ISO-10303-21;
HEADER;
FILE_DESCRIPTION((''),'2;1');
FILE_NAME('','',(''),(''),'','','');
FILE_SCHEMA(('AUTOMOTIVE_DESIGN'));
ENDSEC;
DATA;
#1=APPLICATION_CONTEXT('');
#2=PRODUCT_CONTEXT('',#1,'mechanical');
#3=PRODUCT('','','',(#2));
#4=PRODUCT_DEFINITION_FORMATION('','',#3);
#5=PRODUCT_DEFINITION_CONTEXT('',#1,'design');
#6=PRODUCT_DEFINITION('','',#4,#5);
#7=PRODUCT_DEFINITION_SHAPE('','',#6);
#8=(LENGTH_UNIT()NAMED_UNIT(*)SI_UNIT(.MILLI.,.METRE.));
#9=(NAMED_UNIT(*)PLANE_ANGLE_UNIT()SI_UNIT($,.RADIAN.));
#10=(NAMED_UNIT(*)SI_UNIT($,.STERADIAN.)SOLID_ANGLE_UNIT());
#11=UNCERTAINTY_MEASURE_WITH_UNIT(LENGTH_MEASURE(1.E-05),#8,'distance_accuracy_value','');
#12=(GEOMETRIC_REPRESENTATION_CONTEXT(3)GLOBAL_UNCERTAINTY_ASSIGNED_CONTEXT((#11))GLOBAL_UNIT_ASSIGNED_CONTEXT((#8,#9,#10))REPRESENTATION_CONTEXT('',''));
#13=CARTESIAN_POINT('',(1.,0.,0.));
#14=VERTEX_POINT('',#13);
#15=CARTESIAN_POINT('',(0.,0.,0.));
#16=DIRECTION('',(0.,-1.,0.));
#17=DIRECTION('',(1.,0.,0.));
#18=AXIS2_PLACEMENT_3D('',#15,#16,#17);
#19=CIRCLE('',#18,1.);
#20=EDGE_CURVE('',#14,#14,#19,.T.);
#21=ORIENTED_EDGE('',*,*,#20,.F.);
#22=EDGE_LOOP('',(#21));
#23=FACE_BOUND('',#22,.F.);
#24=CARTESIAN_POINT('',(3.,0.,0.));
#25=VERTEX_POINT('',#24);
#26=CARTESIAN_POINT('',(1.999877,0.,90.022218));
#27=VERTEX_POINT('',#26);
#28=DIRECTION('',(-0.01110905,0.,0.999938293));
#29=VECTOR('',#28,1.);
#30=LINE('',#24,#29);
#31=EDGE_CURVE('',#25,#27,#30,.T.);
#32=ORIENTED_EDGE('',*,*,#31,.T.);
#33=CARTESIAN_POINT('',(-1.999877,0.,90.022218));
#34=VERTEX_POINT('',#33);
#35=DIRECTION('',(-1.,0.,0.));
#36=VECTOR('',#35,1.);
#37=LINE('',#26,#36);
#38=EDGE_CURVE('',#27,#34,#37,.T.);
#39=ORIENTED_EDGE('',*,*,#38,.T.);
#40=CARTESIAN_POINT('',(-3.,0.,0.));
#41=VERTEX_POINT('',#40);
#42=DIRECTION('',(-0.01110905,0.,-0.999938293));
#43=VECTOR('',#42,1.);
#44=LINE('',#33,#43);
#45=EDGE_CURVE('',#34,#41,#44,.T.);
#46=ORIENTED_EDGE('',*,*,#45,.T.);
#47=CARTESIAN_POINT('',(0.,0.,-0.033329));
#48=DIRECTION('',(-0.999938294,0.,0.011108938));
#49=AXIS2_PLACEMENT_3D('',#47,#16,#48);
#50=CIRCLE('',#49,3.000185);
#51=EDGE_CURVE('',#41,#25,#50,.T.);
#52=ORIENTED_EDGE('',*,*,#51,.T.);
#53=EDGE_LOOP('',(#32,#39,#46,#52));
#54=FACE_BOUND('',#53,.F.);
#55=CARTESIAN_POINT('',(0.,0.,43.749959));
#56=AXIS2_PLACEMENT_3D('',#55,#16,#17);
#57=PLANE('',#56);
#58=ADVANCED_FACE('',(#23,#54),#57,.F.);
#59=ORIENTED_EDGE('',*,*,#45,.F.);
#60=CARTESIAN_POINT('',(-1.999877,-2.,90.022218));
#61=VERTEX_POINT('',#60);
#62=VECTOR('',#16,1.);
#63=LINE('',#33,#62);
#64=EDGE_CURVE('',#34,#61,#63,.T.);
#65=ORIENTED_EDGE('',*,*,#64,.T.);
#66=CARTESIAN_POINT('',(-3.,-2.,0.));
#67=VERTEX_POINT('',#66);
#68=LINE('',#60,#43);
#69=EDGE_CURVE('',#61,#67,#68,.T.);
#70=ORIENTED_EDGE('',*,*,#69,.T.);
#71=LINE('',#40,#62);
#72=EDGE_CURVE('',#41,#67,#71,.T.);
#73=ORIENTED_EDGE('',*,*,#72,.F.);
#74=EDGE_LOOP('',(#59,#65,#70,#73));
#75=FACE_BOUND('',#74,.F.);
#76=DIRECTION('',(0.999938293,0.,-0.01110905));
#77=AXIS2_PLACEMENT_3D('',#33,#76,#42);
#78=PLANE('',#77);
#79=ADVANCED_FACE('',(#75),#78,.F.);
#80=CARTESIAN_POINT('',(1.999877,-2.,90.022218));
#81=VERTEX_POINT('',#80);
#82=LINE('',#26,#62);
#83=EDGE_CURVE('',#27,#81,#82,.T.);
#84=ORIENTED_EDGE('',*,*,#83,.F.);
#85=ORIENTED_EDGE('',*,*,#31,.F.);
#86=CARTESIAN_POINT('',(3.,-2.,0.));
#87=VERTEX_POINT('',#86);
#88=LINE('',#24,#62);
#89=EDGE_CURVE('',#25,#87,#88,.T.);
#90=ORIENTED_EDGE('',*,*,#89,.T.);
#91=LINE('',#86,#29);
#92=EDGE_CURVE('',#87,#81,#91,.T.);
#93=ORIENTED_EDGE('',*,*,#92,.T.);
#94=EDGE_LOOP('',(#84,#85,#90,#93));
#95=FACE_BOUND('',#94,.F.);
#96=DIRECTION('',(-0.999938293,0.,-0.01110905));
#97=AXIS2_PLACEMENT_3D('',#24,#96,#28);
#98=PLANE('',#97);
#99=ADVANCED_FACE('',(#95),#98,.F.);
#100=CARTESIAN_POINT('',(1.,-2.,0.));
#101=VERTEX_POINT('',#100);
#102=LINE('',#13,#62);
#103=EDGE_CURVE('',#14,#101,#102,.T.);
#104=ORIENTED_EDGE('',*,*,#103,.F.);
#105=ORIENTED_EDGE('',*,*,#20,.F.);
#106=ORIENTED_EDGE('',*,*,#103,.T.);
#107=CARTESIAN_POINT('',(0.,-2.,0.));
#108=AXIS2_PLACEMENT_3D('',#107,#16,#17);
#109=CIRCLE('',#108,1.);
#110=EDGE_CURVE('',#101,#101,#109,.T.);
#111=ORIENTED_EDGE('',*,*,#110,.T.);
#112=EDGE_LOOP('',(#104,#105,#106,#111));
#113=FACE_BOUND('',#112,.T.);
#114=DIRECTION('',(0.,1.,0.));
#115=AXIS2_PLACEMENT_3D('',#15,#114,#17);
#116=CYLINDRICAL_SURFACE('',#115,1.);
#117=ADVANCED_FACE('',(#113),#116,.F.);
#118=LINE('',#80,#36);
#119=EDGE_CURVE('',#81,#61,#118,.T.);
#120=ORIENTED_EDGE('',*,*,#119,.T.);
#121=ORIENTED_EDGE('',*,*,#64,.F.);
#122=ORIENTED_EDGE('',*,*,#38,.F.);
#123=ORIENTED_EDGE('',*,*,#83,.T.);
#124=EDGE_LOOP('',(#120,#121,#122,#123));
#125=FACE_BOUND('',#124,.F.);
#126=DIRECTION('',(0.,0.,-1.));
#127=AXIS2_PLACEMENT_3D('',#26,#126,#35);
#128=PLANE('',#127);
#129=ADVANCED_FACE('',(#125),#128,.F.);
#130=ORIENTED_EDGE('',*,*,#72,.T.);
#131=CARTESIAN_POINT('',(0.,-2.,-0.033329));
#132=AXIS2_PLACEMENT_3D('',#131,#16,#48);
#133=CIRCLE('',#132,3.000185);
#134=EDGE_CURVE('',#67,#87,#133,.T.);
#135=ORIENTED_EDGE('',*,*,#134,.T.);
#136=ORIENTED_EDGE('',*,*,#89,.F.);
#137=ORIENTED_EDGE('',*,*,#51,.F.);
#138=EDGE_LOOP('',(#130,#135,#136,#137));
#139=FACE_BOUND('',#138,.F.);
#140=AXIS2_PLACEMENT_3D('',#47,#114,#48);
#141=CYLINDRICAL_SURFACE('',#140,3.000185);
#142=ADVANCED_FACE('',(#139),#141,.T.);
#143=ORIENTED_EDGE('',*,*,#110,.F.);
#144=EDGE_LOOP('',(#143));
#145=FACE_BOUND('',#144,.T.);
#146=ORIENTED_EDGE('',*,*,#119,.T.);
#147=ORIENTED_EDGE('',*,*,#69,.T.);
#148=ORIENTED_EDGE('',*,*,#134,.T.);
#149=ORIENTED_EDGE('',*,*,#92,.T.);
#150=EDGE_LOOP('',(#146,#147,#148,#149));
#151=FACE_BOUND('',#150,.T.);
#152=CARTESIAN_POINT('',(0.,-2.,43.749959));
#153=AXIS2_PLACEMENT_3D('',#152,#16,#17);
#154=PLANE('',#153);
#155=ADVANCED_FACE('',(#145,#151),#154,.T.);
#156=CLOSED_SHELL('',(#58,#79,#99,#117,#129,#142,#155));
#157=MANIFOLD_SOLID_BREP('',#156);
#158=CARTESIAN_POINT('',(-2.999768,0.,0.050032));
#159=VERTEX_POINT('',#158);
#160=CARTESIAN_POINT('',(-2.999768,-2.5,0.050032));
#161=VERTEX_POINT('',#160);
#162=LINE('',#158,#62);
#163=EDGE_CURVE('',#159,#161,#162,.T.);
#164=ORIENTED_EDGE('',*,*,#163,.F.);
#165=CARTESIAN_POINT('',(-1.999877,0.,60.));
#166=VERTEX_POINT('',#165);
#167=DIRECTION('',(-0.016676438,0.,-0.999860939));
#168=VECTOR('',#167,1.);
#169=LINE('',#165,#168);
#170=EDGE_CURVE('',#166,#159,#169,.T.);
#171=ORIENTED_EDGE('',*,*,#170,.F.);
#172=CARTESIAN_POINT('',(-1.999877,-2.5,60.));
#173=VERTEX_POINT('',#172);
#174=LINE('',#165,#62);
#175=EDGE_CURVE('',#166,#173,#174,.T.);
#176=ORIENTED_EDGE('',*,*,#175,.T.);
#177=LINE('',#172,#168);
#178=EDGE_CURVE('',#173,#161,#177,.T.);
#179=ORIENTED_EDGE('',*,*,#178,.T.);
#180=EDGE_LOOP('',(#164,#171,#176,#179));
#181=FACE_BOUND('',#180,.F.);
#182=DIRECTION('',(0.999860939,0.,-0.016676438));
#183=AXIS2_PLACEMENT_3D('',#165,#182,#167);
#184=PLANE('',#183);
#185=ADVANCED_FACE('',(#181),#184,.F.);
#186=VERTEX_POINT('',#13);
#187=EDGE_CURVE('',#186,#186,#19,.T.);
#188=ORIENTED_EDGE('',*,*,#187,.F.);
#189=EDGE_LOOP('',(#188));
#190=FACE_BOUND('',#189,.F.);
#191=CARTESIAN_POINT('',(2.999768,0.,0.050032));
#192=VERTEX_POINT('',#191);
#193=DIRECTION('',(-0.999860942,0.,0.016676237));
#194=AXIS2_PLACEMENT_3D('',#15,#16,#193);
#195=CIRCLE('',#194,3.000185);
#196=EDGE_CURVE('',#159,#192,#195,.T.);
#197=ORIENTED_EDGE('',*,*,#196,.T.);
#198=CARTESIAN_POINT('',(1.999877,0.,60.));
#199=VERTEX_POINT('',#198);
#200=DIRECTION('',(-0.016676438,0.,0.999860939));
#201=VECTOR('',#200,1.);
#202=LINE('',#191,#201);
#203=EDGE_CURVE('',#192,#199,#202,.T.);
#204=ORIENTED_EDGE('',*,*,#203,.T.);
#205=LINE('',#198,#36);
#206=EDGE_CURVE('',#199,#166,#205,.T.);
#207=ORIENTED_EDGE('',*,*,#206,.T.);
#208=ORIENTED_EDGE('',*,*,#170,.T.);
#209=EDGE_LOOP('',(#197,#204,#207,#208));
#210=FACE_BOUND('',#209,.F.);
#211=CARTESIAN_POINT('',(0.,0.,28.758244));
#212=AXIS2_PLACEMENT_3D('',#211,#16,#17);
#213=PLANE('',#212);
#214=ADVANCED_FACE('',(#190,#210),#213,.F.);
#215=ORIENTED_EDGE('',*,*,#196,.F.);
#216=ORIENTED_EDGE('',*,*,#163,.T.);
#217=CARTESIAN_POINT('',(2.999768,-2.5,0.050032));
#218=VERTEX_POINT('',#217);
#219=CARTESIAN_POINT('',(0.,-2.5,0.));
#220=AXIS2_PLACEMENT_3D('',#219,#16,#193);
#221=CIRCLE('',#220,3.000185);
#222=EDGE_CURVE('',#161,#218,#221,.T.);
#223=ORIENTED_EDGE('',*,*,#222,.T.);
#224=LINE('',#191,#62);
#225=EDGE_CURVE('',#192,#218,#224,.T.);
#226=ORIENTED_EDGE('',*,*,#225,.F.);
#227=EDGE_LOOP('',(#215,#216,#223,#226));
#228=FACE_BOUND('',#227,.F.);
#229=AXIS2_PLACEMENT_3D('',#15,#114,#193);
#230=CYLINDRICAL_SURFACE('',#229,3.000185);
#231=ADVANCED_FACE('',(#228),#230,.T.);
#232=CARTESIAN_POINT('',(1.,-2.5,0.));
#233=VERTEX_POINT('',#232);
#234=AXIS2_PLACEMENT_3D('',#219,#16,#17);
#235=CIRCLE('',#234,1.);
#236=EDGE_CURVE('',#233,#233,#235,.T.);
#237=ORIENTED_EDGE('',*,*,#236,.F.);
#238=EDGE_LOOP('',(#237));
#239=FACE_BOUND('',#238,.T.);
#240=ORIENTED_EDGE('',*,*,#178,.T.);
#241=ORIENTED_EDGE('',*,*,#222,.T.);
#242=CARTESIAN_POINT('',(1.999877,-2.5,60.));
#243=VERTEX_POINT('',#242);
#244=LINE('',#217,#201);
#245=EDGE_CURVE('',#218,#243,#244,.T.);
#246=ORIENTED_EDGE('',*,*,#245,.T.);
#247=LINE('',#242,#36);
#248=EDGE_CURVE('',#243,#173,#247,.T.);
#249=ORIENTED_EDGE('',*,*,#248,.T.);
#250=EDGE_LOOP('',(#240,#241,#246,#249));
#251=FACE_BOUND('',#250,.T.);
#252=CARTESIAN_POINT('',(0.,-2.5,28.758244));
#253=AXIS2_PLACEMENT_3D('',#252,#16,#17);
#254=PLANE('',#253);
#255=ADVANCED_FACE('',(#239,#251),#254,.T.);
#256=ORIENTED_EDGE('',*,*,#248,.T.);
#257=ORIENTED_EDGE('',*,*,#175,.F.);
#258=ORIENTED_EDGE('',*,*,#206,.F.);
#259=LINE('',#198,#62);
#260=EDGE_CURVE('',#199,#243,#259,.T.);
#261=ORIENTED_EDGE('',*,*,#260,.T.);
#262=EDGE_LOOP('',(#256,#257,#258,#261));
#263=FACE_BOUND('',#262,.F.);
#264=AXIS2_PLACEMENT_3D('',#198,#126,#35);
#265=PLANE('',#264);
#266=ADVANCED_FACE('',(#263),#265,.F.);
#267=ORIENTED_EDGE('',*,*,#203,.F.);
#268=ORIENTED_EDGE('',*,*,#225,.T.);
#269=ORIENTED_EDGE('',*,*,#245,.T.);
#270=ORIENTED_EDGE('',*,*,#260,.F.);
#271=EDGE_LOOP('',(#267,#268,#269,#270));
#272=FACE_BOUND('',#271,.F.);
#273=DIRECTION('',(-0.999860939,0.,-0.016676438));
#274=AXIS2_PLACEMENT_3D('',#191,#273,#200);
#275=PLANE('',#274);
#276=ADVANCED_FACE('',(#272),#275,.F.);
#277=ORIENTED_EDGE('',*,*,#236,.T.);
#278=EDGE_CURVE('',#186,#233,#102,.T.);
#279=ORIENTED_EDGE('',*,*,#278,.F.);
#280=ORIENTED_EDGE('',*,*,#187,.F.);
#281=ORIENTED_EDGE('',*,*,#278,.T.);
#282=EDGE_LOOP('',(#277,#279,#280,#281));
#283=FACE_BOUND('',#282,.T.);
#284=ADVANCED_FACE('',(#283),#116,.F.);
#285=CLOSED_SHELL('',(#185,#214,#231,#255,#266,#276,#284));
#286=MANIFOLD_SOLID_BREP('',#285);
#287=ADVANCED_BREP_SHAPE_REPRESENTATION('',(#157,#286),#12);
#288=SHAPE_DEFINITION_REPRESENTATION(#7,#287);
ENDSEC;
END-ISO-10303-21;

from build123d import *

# Parameters (mm, degrees)
F0_R     = 1
F1_DEPTH = 2
F2_R     = 1
F3_DEPTH = 2.5


with BuildPart() as f1:
    # F0 (on Front) → F1 (new body)
    with BuildSketch(Plane.XZ):
        with BuildLine():
            Line((-1.999877, 90.022218), (-3, 0))
            ThreePointArc((-3, 0), (0, -3.033514), (3, 0))
            Line((3, 0), (1.999877, 90.022218))
            Line((1.999877, 90.022218), (-1.999877, 90.022218))
        make_face()
        Circle(F0_R, mode=Mode.SUBTRACT)
    extrude(amount=F1_DEPTH)


with BuildPart() as f3:
    # F2 (on Front) → F3 (new body)
    with BuildSketch(Plane.XZ):
        with BuildLine():
            Line((-1.999877, 60), (-2.999768, 0.050032))
            ThreePointArc((-2.999768, 0.050032), (0, -3.000185), (2.999768, 0.050032))
            Line((2.999768, 0.050032), (1.999877, 60))
            Line((1.999877, 60), (-1.999877, 60))
        make_face()
        Circle(F2_R, mode=Mode.SUBTRACT)
    extrude(amount=F3_DEPTH)


solid = Compound([f1.part, f3.part])
